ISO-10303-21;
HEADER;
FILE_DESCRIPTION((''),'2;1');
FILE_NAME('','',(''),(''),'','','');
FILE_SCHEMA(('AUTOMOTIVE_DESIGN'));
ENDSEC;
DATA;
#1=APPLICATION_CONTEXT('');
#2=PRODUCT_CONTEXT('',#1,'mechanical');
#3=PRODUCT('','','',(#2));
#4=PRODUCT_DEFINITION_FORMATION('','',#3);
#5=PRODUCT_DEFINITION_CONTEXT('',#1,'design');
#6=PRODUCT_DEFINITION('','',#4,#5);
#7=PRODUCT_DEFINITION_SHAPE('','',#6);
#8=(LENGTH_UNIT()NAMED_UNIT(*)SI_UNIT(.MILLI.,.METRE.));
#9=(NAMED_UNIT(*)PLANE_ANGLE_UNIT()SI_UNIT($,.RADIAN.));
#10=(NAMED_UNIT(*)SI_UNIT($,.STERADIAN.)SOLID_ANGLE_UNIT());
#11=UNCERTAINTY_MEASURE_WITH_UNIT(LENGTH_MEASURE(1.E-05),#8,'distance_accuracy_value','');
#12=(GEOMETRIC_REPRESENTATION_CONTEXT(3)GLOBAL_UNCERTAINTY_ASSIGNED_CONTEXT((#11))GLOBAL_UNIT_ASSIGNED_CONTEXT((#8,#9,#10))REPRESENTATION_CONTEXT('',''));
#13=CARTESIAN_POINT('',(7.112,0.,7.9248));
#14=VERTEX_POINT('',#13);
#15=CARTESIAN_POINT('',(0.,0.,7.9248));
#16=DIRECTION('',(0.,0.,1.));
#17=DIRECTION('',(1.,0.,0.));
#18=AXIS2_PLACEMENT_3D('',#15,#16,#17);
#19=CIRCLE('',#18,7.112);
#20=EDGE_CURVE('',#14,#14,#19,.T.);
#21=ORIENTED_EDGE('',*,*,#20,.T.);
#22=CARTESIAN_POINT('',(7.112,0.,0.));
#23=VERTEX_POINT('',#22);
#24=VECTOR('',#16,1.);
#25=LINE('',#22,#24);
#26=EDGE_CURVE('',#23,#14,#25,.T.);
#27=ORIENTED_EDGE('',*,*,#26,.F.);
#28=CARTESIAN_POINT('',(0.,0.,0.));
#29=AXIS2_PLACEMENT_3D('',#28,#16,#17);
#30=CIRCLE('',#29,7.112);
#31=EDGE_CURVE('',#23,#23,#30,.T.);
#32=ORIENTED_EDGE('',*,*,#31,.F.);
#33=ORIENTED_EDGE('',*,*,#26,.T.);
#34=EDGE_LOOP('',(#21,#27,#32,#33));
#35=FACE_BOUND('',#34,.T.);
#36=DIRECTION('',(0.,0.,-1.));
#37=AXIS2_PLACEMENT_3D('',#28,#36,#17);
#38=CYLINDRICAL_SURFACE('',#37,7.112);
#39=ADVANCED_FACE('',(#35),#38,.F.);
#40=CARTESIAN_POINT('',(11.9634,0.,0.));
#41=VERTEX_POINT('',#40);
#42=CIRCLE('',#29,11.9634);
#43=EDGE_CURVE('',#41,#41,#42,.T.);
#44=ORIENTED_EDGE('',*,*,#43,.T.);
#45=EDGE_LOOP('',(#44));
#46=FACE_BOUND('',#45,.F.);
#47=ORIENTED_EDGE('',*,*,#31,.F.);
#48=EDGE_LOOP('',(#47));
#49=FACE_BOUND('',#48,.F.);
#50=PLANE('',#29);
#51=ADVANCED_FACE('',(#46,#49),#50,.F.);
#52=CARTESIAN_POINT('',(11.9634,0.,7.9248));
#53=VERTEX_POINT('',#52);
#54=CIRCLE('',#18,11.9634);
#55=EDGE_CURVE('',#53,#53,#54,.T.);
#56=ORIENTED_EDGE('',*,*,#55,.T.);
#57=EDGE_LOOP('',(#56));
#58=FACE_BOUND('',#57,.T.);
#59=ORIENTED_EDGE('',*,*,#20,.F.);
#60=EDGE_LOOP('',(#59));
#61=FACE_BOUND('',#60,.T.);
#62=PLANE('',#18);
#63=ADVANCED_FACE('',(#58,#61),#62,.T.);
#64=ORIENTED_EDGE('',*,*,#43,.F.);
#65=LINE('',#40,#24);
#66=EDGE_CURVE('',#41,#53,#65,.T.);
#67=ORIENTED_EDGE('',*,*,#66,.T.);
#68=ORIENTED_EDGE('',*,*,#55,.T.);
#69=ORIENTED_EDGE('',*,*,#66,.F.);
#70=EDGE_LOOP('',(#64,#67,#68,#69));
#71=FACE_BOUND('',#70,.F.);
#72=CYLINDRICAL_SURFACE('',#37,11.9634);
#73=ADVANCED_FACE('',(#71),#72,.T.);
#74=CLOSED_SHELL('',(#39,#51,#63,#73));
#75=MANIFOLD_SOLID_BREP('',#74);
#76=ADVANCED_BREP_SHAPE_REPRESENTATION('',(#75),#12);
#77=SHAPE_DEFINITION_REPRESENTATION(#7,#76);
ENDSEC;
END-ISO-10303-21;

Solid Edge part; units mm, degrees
sketch "Sketch1" plane through (0, 0, 0) normal (0, 0, 1) x (1, 0, 0)
  circle A0 centre (0, 0) radius 11.9634
  circle A1 centre (0, 0) radius 7.112
  dimension "D1" = 23.9268
  dimension "D2" = 14.224
extrude "Protrusion1" add sketch "Sketch1" along normal blind 7.9248
